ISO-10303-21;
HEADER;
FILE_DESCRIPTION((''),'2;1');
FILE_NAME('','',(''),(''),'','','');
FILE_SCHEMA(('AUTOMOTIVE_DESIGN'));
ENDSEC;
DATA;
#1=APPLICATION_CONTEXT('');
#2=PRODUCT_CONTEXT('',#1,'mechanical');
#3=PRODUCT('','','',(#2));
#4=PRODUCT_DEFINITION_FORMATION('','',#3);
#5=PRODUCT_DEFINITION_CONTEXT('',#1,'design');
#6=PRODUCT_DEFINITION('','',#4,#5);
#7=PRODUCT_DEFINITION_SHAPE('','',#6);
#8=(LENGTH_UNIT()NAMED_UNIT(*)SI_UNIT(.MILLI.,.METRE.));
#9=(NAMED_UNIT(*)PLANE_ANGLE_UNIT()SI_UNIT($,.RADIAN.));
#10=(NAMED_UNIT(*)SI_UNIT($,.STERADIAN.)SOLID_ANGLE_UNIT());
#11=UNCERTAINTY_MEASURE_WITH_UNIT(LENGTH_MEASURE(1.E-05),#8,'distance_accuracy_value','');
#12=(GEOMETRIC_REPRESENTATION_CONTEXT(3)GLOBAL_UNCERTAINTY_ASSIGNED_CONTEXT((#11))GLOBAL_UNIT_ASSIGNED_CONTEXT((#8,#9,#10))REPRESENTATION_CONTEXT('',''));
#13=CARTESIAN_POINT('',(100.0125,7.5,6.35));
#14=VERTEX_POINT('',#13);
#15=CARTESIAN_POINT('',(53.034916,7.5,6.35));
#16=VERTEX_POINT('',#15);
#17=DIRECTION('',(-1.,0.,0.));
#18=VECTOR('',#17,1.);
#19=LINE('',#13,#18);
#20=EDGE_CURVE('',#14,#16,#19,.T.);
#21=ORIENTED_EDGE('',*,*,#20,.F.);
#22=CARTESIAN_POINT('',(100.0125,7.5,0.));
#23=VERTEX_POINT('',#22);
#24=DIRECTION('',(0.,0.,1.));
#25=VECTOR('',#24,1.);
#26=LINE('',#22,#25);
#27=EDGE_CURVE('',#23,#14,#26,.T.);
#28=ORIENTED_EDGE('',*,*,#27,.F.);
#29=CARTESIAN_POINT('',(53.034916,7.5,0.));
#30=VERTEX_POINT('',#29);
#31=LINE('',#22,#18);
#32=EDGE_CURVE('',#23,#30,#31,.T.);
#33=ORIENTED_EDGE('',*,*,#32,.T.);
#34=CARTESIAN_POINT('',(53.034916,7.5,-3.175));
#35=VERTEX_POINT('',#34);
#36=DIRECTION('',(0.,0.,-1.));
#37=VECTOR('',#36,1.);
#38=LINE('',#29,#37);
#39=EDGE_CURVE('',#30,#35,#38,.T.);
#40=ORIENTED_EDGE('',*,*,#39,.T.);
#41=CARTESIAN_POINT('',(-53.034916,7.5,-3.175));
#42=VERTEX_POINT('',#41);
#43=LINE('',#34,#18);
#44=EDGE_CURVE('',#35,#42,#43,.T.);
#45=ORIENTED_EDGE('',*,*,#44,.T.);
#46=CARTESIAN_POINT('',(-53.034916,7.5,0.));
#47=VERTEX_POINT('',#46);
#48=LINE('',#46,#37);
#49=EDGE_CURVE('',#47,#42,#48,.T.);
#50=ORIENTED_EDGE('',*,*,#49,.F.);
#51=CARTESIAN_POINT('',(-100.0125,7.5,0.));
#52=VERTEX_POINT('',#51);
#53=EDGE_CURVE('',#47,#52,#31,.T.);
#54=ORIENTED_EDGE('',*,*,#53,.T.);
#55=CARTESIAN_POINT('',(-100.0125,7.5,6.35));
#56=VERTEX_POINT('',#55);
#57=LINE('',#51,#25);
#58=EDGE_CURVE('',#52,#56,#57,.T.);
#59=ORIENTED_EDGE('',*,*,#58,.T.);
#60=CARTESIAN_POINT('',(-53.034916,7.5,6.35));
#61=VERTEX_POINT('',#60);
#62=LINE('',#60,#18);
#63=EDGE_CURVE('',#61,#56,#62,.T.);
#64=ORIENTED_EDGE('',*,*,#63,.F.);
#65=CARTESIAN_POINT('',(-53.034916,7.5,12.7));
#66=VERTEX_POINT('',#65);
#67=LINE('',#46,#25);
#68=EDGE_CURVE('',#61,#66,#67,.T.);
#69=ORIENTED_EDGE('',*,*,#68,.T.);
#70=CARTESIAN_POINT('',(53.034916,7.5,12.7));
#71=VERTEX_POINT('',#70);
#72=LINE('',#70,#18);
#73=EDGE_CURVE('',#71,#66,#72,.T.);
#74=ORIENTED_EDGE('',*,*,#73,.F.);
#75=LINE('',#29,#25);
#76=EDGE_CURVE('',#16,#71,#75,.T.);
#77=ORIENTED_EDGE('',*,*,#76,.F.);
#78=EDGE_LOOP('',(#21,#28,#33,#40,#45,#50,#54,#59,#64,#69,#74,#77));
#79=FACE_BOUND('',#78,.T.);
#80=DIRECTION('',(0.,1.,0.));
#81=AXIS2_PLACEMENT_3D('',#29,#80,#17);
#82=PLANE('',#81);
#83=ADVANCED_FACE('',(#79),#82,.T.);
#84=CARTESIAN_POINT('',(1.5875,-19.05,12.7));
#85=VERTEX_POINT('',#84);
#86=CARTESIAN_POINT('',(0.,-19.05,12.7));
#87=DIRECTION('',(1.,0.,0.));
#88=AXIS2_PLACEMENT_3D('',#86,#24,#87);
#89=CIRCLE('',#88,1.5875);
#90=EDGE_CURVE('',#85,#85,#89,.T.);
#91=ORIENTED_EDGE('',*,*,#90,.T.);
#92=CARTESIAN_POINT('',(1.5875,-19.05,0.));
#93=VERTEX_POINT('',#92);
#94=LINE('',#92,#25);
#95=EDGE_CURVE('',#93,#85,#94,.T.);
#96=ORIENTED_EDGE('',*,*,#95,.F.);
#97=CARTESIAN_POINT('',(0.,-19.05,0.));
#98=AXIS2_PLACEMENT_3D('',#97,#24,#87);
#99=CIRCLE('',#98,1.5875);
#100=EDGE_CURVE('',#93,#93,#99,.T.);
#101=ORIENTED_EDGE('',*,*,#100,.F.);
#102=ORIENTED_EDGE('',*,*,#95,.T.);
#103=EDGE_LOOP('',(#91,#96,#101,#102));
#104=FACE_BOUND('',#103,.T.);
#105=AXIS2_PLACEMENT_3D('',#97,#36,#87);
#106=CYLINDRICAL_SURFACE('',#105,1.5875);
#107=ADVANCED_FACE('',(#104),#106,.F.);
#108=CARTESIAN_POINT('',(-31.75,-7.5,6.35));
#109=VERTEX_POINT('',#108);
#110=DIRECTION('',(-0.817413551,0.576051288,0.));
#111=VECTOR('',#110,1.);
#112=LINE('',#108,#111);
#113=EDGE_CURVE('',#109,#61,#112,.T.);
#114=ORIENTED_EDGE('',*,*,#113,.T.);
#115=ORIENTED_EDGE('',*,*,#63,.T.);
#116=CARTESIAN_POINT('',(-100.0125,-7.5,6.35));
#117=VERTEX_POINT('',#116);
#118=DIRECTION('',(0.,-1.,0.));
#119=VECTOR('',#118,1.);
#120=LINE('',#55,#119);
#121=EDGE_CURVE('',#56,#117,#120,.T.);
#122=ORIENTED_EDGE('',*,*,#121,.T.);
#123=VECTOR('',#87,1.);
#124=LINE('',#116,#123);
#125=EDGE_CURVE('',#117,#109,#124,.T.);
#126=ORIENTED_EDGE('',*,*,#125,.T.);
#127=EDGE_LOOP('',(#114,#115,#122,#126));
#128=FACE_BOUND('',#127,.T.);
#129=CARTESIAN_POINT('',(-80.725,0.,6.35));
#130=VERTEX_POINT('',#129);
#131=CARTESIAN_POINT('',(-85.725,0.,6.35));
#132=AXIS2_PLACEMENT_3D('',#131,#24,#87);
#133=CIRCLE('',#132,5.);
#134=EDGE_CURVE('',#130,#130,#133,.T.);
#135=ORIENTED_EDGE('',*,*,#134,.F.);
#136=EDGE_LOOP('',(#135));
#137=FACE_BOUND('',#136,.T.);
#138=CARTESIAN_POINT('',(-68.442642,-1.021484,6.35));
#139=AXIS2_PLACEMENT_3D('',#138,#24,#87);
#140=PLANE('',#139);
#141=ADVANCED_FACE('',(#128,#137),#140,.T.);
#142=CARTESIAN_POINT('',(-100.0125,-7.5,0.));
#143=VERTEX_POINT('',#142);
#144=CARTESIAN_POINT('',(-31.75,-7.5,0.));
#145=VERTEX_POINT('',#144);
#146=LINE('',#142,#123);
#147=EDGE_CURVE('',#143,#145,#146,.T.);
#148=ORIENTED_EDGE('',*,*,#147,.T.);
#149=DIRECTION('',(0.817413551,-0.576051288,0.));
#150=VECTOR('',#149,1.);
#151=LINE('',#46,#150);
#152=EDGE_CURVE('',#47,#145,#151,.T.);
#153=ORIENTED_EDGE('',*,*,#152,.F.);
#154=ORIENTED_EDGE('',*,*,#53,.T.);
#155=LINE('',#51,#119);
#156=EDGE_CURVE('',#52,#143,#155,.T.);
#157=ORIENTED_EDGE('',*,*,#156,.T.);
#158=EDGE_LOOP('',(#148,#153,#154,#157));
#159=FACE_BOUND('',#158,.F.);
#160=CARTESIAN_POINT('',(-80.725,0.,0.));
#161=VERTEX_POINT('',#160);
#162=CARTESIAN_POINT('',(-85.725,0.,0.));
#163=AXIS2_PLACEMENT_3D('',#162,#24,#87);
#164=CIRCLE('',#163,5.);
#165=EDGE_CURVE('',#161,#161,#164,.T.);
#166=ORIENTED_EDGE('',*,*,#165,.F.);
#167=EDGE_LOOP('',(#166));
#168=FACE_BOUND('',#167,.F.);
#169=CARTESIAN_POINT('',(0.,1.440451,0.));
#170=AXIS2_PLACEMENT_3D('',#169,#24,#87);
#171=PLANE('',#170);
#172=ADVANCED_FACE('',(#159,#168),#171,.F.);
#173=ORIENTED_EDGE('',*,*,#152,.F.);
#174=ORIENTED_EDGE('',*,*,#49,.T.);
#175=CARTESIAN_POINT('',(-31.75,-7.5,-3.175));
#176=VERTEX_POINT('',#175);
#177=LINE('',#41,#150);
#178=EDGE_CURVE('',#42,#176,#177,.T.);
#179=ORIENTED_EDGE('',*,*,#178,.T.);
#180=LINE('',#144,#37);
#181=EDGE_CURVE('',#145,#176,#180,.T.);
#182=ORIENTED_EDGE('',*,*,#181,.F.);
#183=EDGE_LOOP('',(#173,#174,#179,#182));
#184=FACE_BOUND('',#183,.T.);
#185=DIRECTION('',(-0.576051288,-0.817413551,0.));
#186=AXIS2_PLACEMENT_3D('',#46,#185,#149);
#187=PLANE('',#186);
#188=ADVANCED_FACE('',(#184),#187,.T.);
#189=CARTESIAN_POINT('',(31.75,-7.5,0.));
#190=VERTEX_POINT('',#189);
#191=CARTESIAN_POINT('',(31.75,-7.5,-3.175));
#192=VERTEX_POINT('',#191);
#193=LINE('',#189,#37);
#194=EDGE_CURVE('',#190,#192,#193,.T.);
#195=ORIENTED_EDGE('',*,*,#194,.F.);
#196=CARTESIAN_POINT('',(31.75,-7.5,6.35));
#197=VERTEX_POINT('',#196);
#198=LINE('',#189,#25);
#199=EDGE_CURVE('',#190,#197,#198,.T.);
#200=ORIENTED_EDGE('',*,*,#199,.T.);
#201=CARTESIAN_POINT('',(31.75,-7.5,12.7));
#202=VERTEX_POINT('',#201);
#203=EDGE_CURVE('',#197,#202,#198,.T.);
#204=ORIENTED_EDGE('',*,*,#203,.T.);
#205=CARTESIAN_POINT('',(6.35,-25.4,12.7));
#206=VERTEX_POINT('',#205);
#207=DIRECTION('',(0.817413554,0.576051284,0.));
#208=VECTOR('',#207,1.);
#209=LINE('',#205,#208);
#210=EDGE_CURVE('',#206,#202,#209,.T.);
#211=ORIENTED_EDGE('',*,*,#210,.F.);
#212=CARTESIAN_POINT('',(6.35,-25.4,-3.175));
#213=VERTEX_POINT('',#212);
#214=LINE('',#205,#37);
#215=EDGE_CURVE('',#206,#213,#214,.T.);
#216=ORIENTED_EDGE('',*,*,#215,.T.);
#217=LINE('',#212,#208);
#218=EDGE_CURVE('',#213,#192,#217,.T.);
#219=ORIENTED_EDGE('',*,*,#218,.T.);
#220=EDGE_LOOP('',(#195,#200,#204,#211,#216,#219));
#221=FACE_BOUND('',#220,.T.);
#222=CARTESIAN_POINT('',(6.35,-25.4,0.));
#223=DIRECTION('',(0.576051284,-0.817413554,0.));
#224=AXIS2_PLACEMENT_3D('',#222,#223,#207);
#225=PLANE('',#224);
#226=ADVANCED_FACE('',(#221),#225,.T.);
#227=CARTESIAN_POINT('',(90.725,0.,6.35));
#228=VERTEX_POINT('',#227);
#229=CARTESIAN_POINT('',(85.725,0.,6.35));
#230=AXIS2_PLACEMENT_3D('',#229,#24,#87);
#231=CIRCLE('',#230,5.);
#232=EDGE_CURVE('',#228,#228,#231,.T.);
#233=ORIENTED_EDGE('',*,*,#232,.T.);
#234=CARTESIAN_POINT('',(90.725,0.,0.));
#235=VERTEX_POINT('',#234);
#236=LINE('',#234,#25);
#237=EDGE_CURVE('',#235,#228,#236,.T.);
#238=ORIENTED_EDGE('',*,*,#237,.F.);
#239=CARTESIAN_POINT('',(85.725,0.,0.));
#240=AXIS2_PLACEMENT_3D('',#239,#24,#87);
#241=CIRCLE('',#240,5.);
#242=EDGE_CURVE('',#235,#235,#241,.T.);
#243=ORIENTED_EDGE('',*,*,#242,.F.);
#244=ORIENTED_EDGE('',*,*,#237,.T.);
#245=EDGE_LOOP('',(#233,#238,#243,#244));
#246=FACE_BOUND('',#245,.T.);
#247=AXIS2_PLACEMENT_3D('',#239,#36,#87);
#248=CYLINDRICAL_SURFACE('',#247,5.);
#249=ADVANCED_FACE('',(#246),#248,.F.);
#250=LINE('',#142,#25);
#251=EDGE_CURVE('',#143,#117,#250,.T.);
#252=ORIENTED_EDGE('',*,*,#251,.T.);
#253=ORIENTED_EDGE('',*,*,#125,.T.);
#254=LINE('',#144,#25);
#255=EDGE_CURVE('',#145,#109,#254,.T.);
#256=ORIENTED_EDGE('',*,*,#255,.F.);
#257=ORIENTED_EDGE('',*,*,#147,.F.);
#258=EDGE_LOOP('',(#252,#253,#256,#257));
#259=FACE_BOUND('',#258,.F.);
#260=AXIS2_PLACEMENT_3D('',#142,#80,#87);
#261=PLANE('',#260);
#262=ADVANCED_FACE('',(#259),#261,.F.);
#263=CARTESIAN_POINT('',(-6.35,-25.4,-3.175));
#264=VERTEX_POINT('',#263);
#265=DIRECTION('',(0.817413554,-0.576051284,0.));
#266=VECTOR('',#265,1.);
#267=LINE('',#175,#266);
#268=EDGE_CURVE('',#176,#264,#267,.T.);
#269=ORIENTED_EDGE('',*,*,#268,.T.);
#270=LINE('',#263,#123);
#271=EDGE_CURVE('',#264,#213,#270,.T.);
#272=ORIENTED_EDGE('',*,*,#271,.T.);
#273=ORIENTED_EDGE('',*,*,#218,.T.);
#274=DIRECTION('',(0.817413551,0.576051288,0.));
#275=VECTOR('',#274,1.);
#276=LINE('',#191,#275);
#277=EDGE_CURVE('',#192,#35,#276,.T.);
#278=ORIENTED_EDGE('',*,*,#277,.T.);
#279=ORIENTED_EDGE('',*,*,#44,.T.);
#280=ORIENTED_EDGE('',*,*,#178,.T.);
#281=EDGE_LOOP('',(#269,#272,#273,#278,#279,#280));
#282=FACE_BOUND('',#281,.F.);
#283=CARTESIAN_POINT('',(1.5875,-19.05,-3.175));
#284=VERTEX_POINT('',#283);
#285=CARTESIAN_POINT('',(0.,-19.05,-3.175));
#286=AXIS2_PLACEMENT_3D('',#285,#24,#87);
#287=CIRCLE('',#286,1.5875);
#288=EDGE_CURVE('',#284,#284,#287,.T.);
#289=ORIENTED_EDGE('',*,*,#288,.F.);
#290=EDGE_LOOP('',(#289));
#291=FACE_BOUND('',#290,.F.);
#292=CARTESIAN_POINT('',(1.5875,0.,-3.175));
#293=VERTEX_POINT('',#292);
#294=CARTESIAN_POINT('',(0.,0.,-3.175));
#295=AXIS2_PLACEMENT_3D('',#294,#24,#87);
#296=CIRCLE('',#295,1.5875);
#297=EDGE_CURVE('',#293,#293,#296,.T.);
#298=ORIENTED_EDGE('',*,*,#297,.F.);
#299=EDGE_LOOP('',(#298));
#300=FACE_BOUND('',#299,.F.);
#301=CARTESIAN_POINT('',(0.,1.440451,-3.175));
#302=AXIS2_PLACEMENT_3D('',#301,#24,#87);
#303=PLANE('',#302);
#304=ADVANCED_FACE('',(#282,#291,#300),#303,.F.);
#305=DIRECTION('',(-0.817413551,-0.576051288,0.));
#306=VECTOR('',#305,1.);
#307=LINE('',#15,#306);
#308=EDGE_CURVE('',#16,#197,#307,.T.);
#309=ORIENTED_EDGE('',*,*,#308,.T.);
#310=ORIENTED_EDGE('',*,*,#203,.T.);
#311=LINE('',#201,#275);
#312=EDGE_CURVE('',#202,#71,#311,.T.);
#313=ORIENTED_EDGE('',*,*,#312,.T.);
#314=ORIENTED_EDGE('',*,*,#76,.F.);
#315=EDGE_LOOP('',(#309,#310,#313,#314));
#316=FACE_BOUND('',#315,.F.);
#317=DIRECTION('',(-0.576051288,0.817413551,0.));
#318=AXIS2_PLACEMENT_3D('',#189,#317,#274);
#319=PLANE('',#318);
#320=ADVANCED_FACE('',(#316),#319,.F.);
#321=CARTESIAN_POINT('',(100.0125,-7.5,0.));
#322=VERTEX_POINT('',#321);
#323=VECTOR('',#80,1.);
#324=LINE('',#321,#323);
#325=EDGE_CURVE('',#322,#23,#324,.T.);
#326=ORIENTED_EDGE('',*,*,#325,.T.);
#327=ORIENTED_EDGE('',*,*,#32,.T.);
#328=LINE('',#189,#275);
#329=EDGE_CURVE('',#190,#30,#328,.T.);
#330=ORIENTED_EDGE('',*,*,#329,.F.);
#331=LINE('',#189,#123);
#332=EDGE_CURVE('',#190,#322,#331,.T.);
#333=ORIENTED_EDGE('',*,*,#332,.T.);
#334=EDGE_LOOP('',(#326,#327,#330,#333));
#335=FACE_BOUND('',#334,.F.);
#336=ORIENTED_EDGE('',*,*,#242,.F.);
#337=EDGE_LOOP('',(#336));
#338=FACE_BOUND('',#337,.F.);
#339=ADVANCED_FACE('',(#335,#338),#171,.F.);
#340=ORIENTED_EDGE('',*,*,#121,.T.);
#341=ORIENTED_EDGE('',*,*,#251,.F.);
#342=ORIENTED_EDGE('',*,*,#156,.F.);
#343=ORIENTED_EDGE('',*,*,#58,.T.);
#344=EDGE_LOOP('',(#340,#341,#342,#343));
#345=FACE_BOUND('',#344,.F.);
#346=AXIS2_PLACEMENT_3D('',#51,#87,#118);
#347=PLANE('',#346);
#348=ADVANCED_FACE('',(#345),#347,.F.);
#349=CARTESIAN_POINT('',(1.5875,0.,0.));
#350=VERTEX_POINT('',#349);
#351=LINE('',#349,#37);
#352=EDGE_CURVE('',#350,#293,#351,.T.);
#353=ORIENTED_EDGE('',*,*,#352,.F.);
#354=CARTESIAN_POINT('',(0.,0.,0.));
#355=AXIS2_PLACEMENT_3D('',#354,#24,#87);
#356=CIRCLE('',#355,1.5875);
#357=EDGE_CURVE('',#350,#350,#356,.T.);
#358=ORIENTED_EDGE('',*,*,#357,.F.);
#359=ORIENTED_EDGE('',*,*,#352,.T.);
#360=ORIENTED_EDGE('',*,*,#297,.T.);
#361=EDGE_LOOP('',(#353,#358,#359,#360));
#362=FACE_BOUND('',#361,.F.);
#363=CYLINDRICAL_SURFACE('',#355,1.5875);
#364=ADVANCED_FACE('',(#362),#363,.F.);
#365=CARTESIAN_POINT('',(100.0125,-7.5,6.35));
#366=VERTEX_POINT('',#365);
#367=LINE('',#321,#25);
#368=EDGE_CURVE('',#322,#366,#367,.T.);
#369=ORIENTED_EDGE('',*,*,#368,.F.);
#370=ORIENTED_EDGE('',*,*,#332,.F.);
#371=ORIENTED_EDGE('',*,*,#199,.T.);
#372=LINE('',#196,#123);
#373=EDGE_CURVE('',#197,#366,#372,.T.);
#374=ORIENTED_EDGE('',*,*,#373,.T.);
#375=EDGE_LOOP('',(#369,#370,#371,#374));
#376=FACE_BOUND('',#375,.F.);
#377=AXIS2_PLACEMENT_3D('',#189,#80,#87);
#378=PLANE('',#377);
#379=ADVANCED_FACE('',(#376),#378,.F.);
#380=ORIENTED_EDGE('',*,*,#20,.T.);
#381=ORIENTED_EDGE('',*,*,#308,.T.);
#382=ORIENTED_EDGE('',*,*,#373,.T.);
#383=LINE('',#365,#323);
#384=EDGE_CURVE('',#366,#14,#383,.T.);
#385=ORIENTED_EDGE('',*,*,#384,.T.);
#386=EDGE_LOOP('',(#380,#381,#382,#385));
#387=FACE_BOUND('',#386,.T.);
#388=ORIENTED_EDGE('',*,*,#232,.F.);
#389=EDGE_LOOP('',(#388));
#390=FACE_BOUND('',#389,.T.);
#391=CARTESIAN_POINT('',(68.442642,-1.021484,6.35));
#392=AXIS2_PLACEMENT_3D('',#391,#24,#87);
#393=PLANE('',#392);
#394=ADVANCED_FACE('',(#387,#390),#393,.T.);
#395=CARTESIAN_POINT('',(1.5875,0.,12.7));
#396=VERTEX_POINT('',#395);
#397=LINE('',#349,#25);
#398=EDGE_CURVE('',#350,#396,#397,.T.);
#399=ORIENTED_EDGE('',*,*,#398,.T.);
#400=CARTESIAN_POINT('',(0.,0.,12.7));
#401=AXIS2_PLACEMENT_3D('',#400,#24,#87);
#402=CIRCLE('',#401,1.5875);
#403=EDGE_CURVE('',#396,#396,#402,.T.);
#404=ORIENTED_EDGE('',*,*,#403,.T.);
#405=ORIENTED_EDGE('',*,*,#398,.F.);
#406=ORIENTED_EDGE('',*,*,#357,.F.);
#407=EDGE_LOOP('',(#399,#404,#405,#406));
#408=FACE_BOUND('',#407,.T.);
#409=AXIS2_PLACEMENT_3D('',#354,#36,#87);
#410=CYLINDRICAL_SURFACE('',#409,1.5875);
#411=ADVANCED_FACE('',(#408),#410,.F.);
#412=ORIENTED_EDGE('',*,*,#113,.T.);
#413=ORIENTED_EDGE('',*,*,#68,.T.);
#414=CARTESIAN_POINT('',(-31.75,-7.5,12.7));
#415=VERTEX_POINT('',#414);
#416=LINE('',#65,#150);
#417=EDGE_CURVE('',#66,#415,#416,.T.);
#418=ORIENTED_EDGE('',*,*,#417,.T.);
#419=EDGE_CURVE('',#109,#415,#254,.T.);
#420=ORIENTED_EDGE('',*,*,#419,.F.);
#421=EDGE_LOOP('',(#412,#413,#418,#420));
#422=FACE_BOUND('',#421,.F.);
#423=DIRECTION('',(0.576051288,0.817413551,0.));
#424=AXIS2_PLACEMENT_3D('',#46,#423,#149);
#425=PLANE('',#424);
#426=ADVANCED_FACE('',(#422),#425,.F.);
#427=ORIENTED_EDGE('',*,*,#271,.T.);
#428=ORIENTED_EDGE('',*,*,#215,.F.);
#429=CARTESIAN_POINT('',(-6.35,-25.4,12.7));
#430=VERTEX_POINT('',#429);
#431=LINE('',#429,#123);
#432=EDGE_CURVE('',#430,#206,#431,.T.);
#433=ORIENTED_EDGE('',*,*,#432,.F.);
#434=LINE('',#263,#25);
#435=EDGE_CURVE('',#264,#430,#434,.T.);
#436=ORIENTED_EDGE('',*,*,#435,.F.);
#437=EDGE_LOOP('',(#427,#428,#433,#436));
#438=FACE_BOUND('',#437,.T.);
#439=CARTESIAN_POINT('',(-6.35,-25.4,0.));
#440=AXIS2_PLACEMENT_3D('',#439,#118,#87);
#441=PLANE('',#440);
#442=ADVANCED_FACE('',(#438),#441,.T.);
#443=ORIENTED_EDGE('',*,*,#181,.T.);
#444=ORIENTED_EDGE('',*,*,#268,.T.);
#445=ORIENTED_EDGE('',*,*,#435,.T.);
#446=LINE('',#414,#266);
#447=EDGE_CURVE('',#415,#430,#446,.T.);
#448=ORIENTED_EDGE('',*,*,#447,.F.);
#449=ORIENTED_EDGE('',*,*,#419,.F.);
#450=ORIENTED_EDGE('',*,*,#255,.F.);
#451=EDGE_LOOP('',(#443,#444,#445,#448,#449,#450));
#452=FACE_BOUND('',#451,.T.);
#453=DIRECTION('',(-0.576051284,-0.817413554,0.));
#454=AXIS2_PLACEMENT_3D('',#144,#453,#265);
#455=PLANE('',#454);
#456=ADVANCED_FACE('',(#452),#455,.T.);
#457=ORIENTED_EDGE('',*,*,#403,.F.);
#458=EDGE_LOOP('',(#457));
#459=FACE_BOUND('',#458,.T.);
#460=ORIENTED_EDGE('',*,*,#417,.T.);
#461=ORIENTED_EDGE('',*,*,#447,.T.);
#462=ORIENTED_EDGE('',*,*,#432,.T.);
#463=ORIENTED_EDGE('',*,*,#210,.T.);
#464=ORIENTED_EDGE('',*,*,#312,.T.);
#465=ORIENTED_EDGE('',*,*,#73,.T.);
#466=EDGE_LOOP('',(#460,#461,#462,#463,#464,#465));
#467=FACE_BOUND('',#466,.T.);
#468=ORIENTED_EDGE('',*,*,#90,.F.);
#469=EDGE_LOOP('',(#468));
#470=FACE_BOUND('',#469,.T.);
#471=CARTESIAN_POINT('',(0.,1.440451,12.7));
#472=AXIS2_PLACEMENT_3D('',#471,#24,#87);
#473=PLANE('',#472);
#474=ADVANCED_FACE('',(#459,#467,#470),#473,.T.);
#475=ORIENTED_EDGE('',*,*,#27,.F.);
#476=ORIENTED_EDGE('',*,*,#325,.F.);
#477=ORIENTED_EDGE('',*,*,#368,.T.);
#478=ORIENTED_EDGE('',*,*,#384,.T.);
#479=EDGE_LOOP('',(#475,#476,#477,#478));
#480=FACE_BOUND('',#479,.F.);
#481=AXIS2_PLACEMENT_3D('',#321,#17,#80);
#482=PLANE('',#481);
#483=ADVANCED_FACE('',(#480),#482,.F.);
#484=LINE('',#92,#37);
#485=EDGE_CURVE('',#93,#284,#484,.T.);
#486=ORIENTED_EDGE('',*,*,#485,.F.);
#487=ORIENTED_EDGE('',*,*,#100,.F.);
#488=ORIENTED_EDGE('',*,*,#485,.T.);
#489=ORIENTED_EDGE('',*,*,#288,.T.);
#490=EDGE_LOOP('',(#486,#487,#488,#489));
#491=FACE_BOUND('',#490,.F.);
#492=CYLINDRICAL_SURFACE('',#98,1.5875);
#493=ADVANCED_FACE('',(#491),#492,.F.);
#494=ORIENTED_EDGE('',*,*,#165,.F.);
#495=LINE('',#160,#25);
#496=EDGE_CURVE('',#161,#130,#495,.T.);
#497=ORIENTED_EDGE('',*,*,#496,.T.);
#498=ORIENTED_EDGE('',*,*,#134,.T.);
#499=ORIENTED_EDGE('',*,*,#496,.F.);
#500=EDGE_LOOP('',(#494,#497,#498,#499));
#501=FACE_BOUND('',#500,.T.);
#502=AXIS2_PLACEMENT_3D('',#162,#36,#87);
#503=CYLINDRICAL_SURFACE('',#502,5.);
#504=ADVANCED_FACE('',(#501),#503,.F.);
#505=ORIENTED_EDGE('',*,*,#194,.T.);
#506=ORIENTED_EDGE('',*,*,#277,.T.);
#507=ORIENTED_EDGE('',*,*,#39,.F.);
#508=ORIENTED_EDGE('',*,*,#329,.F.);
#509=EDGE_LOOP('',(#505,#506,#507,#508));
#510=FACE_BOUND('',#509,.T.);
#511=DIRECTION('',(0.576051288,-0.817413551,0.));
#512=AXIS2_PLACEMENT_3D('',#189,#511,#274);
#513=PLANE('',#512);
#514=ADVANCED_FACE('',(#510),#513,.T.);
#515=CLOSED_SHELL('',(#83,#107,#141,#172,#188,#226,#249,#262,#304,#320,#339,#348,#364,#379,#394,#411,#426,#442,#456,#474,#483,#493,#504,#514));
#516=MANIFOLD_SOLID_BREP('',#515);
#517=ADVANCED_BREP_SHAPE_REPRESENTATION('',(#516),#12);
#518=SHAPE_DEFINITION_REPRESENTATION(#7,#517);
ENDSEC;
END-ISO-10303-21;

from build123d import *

# Parameters (mm, degrees)
F0_R          = 5
F1_DEPTH      = 6.35
F0_R_2        = 1.5875
F2_DEPTH      = 12.7
F2_DEPTH_BACK = 3.175


with BuildPart() as f1:
    # F0 (on Top) → F1 (new body)
    with BuildSketch(Plane.XY):
        Polygon((-53.034916, 7.5), (-100.0125, 7.5), (-100.0125, -7.5), (-31.75, -7.5), align=None)
        with Locations((-85.725, 0)):
            Circle(F0_R, mode=Mode.SUBTRACT)
        Polygon((100.0125, 7.5), (53.034916, 7.5), (31.75, -7.5), (100.0125, -7.5), align=None)
        with Locations((85.725, 0)):
            Circle(F0_R, mode=Mode.SUBTRACT)
    extrude(amount=F1_DEPTH)

    # F0 (on Top) → F2 (join, two sides)
    with BuildSketch(Plane.XY) as f2_sk:
        Polygon((53.034916, 7.5), (-53.034916, 7.5), (-31.75, -7.5), (31.75, -7.5), align=None)
        Circle(F0_R_2, mode=Mode.SUBTRACT)
        Polygon((31.75, -7.5), (-31.75, -7.5), (-6.35, -25.4), (6.35, -25.4), align=None)
        with Locations((0, -19.05)):
            Circle(F0_R_2, mode=Mode.SUBTRACT)
    extrude(amount=F2_DEPTH)
    extrude(f2_sk.sketch, amount=-F2_DEPTH_BACK)


solid = f1.part
